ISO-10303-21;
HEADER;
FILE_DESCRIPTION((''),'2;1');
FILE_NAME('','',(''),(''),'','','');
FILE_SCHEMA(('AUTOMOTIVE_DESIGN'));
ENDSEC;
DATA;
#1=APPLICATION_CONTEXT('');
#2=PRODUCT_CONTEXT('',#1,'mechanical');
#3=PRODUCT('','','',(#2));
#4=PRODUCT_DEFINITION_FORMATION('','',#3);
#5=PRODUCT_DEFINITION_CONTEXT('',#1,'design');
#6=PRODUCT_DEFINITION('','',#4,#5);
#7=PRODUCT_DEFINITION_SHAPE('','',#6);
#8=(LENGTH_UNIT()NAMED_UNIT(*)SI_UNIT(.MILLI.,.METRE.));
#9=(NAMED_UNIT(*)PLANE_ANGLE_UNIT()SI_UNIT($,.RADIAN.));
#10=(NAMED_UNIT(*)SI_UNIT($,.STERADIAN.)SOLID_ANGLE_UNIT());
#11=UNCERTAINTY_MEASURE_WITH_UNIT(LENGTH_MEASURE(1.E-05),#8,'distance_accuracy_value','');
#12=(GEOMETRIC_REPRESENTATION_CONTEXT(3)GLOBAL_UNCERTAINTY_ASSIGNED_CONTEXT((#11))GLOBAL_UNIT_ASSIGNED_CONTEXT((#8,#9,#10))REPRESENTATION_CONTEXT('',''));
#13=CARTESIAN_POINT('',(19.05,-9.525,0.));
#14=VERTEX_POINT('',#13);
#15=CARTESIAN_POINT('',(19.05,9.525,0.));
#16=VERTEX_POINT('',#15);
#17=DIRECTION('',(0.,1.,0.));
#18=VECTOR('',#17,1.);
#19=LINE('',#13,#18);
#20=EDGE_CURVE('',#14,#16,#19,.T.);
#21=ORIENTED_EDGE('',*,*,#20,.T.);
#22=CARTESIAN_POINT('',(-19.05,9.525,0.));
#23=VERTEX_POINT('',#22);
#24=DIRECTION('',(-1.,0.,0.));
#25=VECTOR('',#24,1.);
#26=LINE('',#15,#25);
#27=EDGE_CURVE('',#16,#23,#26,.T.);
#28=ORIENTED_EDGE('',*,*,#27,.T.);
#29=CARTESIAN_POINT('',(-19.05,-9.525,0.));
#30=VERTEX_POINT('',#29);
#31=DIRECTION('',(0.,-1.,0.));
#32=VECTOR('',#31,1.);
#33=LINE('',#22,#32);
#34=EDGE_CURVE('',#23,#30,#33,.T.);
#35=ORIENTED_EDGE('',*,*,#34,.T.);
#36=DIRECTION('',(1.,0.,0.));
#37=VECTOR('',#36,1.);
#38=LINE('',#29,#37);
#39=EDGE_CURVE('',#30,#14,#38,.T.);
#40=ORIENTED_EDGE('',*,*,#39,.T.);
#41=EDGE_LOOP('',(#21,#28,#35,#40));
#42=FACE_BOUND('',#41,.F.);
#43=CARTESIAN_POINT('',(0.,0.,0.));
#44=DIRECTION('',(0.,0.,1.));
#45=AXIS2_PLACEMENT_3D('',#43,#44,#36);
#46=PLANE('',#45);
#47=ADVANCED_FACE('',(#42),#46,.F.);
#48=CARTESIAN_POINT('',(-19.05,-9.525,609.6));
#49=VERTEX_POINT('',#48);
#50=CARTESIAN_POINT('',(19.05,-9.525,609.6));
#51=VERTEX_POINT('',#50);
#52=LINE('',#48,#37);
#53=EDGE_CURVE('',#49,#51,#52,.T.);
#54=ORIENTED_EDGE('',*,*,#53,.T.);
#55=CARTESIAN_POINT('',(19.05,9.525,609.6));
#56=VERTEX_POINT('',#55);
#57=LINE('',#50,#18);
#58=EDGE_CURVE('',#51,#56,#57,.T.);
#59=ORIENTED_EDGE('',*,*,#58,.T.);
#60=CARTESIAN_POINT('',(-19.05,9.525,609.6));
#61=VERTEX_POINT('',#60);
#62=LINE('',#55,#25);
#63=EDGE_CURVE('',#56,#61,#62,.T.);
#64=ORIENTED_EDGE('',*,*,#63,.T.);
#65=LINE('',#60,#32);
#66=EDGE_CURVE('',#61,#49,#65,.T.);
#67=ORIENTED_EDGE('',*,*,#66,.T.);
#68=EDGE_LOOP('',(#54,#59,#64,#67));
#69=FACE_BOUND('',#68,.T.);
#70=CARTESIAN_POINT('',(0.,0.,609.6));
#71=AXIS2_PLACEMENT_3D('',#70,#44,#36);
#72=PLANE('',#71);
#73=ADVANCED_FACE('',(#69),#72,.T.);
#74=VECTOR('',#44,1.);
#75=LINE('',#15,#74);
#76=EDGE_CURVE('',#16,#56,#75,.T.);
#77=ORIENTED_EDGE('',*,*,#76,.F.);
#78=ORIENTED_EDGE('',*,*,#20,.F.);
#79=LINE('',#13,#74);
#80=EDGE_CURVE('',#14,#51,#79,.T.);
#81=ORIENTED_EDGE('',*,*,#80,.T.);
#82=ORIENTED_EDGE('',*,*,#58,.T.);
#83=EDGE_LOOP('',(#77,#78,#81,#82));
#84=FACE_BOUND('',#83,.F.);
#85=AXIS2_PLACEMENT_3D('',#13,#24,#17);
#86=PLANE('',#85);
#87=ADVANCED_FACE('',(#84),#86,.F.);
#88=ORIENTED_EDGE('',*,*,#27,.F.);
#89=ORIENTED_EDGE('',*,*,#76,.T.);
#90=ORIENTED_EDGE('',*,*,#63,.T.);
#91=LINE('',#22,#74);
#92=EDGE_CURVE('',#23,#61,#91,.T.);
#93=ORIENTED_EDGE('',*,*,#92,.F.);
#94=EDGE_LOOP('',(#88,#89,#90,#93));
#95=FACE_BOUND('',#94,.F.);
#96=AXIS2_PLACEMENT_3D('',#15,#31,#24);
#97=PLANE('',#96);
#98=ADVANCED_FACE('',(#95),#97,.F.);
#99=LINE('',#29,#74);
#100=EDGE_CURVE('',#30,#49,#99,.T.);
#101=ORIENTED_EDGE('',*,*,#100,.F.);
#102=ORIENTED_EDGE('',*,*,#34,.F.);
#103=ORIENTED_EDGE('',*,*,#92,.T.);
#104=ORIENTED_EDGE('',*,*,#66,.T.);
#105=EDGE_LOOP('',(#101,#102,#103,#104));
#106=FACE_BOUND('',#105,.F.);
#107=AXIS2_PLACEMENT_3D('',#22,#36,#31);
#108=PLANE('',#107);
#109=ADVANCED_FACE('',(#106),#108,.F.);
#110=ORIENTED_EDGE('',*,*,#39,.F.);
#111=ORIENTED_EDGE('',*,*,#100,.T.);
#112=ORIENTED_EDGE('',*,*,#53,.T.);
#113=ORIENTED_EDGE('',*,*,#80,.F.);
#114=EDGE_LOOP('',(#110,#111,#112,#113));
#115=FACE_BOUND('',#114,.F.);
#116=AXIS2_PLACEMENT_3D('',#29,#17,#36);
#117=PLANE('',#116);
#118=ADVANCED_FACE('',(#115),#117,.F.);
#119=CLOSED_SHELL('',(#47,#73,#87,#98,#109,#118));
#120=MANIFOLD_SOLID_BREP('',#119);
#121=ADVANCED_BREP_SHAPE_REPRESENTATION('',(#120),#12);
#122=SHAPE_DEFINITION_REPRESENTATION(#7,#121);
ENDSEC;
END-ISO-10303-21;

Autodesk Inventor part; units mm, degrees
ref_plane "YZ Plane" through (0, 0, 0) normal (1, 0, 0) x (0, 1, 0)
ref_plane "XZ Plane" through (0, 0, 0) normal (0, 1, 0) x (-1, 0, 0)
ref_plane "XY Plane" through (0, 0, 0) normal (0, 0, 1) x (1, 0, 0)
sketch "Sketch2" plane through (0, 0, 0) normal (0, 0, 1) x (1, 0, 0)
  line L0 (-19.05, -9.525) -> (19.05, -9.525)
  line L1 (19.05, -9.525) -> (19.05, 9.525)
  line L2 (19.05, 9.525) -> (-19.05, 9.525)
  line L3 (-19.05, 9.525) -> (-19.05, -9.525)
  line L4 (-19.05, -9.525) -> (19.05, 9.525) construction
  line L5 (19.05, -9.525) -> (-19.05, 9.525) construction
  point P0 (0, 0)
  dimension "d0" = 38.1
  dimension "d1" = 19.05
extrude "Extrusion1" add sketch "Sketch2" along normal blind 609.6
properties part number "Support GuideRail Wood Framing"
